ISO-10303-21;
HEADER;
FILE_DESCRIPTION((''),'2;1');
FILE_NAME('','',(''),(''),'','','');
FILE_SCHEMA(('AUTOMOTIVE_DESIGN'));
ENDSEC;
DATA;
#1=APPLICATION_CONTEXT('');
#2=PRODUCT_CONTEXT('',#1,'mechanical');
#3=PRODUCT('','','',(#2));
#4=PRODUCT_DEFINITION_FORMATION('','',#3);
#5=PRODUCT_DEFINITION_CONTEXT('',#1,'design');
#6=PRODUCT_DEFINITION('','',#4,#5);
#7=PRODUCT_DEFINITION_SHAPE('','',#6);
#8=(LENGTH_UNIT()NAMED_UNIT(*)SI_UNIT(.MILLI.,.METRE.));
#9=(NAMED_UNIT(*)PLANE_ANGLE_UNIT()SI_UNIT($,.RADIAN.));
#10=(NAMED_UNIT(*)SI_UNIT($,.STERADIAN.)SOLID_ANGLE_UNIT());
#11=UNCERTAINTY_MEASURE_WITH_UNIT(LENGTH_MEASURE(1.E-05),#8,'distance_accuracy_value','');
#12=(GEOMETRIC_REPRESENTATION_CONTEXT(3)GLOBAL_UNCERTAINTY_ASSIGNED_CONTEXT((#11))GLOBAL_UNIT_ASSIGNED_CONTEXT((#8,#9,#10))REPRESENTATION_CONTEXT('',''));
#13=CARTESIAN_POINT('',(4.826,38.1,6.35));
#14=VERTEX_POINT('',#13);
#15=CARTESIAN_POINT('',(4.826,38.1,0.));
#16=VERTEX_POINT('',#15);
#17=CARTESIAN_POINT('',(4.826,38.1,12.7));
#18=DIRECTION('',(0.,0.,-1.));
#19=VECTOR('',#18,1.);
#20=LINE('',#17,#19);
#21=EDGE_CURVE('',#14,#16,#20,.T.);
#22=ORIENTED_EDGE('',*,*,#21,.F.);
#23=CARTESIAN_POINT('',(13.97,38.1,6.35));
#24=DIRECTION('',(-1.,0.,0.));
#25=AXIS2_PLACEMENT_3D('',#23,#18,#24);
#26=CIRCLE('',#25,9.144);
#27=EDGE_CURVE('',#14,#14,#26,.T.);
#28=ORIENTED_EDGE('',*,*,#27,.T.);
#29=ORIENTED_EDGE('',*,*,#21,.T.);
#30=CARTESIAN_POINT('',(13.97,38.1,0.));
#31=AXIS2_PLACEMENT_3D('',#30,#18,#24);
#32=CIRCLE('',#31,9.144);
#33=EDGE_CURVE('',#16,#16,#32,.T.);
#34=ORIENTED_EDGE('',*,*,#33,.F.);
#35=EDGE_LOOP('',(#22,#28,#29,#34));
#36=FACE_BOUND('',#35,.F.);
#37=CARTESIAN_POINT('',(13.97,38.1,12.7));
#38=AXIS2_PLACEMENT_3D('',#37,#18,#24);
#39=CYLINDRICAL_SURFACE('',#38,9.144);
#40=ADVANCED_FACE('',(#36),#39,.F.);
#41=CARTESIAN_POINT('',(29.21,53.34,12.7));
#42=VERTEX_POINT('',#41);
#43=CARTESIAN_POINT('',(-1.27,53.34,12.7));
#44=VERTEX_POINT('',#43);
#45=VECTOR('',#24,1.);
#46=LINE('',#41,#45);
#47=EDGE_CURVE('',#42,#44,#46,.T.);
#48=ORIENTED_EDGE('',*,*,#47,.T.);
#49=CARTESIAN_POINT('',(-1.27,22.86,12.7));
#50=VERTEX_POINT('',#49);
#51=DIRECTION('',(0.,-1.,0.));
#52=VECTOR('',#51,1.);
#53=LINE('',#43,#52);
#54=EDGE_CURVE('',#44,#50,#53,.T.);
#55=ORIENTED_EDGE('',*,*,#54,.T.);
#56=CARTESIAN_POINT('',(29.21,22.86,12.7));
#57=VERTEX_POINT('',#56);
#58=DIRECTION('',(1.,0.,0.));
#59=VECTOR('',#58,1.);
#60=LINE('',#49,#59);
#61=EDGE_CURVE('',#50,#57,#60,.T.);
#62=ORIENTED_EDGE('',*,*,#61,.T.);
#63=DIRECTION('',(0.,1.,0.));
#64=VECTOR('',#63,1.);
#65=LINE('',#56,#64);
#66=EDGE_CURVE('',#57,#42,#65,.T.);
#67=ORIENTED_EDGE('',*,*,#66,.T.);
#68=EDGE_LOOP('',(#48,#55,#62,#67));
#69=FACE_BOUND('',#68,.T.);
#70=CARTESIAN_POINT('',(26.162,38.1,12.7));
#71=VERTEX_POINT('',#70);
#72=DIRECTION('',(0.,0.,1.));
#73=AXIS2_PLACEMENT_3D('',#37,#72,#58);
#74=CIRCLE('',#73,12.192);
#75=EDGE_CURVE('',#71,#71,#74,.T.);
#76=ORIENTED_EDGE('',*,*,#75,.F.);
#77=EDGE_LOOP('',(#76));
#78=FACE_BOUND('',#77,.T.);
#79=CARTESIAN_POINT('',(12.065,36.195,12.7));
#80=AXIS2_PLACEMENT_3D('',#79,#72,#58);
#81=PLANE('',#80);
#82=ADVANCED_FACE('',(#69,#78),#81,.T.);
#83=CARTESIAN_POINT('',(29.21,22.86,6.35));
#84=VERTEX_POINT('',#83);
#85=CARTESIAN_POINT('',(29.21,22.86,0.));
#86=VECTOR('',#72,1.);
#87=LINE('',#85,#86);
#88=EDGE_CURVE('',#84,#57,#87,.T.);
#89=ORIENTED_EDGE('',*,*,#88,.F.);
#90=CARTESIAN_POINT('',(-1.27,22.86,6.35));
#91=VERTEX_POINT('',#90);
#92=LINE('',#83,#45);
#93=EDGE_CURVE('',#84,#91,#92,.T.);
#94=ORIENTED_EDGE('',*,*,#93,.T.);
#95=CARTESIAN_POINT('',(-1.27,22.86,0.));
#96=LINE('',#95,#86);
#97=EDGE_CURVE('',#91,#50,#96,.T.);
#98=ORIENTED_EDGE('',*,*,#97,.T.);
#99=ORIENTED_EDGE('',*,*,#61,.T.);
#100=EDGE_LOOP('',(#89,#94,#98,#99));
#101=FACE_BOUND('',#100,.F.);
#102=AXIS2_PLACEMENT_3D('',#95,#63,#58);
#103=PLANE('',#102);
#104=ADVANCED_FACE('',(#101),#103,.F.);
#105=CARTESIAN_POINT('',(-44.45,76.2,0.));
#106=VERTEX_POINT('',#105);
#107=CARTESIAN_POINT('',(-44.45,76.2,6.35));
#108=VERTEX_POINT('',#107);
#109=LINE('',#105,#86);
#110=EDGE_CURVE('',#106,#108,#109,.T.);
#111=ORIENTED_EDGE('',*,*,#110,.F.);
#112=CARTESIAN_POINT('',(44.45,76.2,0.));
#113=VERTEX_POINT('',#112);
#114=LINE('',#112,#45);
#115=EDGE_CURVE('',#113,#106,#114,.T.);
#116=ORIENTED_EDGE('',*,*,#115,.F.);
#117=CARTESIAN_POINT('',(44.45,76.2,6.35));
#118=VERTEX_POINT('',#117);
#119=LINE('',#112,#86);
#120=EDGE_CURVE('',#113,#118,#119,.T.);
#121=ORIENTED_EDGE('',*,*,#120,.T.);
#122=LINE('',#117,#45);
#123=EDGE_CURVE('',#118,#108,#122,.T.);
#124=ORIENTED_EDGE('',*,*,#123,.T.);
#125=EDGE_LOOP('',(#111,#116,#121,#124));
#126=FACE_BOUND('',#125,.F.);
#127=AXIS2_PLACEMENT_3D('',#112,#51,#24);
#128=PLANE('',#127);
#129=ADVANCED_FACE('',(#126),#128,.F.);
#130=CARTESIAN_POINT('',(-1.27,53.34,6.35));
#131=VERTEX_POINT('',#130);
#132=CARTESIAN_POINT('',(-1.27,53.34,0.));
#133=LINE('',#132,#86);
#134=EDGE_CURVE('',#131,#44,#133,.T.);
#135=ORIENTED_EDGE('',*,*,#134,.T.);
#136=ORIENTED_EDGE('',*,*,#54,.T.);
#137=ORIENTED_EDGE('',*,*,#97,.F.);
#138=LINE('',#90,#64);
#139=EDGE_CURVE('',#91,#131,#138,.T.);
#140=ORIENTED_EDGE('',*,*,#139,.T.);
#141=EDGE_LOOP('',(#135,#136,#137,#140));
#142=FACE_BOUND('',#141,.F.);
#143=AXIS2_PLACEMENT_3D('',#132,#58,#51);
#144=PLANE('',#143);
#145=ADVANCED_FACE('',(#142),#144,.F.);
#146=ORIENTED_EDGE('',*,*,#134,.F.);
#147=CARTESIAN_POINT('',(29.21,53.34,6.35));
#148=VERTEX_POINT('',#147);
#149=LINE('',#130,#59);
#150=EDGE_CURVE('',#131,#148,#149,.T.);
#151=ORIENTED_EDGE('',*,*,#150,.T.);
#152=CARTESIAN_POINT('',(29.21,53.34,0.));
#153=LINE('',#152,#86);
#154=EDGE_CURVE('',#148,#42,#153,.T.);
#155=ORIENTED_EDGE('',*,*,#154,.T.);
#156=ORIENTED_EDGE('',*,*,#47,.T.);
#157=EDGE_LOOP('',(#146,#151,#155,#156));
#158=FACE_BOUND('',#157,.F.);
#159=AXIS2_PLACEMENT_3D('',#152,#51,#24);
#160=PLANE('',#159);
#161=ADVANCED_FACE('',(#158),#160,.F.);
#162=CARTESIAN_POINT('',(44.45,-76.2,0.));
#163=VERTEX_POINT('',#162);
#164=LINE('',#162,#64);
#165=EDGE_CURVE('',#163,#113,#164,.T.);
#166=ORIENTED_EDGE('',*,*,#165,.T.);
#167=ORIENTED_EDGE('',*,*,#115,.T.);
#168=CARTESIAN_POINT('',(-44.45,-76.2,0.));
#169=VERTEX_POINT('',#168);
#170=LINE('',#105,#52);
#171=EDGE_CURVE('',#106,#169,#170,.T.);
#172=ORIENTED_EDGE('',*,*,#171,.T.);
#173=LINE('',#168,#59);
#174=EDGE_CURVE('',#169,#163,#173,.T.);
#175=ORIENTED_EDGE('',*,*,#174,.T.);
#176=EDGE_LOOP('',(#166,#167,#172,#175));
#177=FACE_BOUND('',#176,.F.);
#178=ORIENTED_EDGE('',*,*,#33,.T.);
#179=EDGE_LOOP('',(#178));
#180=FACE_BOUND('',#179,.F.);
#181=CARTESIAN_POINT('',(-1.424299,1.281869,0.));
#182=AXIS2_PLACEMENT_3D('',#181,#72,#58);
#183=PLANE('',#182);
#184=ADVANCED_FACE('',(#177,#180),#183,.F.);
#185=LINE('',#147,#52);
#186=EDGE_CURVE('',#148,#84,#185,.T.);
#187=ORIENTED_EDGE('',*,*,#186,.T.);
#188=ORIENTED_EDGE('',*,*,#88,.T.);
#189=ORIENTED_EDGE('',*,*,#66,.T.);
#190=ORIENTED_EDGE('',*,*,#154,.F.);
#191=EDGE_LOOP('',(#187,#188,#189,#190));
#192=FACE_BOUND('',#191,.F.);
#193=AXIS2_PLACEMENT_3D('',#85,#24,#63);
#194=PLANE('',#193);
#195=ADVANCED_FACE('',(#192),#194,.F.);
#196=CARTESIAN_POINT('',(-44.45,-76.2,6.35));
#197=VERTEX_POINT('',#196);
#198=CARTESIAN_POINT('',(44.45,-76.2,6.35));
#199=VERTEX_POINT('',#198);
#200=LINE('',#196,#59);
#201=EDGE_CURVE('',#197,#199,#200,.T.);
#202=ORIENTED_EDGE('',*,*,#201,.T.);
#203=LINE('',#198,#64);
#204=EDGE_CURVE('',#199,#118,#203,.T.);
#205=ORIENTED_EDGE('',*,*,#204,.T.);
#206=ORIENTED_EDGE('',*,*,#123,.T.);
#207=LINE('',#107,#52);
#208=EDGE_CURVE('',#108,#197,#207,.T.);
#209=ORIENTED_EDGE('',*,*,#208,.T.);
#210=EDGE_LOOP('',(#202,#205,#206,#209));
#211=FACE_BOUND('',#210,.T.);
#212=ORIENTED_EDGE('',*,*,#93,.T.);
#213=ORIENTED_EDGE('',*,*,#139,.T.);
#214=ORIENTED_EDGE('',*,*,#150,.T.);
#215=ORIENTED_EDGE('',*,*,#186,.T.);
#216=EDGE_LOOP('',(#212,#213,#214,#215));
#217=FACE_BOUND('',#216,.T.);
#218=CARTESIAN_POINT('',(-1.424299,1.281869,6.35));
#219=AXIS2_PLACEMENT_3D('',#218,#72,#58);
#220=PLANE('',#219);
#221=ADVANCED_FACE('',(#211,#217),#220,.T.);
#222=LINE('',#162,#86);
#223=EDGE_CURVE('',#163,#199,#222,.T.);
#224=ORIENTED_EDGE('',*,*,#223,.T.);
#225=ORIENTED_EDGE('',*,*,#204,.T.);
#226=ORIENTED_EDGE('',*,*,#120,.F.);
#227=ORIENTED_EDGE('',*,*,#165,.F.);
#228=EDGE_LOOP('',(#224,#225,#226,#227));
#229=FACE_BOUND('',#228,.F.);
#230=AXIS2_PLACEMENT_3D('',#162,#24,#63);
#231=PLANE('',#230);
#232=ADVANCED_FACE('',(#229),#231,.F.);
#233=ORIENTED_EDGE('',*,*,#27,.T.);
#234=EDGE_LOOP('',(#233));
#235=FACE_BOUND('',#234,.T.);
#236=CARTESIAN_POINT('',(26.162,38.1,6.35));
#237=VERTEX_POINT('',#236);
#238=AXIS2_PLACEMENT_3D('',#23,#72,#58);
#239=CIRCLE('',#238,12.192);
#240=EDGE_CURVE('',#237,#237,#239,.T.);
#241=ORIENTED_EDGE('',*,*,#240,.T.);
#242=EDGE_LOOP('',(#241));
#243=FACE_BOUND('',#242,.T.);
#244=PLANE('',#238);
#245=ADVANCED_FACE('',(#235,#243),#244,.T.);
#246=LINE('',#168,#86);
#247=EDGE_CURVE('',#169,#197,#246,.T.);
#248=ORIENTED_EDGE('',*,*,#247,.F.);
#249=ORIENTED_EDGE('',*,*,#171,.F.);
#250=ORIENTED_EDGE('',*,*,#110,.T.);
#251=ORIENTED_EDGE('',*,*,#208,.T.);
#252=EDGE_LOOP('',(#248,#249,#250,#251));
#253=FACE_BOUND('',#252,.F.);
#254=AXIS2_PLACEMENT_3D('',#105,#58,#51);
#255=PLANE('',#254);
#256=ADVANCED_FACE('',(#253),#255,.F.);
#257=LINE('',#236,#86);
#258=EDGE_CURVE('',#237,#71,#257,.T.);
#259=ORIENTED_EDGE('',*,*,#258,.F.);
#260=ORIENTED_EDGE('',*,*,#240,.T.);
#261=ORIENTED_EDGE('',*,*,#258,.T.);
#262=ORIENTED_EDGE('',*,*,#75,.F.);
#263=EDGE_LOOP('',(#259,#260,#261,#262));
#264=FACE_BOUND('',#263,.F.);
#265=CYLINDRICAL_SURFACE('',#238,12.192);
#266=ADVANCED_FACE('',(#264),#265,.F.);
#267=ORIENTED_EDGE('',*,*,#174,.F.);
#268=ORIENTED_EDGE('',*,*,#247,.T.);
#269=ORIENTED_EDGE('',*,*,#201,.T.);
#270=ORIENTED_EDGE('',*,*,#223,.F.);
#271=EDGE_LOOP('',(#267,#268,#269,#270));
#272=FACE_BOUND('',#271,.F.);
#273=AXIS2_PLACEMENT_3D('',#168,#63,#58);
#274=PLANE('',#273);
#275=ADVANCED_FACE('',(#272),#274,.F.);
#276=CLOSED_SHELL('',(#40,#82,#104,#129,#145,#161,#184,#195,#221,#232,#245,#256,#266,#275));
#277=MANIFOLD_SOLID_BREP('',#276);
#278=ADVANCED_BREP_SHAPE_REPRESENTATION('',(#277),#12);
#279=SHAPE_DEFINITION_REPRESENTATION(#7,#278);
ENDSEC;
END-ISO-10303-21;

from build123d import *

# Parameters (mm, degrees)
F1_DEPTH       = 6.35
F0_W           = 15.24
F0_H           = 15.24
F2_DEPTH       = 12.7
F4_D           = 18.288
F4_CBORE_D     = 24.384
F4_CBORE_DEPTH = 6.35


with BuildPart() as f1:
    # F0 (on Top) → F1 (new body)
    with BuildSketch(Plane.XY):
        Polygon((-44.45, -76.2), (44.45, -76.2), (44.45, 38.1), (29.21, 38.1), (29.21, 22.86), (-1.27, 22.86), (-1.27, 53.34), (13.97, 53.34), (13.97, 76.2), (-44.45, 76.2), align=None)
        Polygon((29.21, 38.1), (44.45, 38.1), (44.45, 76.2), (13.97, 76.2), (13.97, 53.34), (29.21, 53.34), align=None)
    extrude(amount=F1_DEPTH)

    # F0 (on Top) → F2 (join)
    with BuildSketch(Plane.XY):
        Polygon((29.21, 22.86), (29.21, 38.1), (13.97, 38.1), (13.97, 53.34), (-1.27, 53.34), (-1.27, 22.86), align=None)
        with Locations((21.59, 45.72)):
            Rectangle(F0_W, F0_H)
    extrude(amount=F2_DEPTH)

    # F4 (through all)
    with Locations(Plane.XY.offset(12.7)):
        with Locations((13.97, 38.1)):
            CounterBoreHole(F4_D / 2, F4_CBORE_D / 2, F4_CBORE_DEPTH)


solid = f1.part
